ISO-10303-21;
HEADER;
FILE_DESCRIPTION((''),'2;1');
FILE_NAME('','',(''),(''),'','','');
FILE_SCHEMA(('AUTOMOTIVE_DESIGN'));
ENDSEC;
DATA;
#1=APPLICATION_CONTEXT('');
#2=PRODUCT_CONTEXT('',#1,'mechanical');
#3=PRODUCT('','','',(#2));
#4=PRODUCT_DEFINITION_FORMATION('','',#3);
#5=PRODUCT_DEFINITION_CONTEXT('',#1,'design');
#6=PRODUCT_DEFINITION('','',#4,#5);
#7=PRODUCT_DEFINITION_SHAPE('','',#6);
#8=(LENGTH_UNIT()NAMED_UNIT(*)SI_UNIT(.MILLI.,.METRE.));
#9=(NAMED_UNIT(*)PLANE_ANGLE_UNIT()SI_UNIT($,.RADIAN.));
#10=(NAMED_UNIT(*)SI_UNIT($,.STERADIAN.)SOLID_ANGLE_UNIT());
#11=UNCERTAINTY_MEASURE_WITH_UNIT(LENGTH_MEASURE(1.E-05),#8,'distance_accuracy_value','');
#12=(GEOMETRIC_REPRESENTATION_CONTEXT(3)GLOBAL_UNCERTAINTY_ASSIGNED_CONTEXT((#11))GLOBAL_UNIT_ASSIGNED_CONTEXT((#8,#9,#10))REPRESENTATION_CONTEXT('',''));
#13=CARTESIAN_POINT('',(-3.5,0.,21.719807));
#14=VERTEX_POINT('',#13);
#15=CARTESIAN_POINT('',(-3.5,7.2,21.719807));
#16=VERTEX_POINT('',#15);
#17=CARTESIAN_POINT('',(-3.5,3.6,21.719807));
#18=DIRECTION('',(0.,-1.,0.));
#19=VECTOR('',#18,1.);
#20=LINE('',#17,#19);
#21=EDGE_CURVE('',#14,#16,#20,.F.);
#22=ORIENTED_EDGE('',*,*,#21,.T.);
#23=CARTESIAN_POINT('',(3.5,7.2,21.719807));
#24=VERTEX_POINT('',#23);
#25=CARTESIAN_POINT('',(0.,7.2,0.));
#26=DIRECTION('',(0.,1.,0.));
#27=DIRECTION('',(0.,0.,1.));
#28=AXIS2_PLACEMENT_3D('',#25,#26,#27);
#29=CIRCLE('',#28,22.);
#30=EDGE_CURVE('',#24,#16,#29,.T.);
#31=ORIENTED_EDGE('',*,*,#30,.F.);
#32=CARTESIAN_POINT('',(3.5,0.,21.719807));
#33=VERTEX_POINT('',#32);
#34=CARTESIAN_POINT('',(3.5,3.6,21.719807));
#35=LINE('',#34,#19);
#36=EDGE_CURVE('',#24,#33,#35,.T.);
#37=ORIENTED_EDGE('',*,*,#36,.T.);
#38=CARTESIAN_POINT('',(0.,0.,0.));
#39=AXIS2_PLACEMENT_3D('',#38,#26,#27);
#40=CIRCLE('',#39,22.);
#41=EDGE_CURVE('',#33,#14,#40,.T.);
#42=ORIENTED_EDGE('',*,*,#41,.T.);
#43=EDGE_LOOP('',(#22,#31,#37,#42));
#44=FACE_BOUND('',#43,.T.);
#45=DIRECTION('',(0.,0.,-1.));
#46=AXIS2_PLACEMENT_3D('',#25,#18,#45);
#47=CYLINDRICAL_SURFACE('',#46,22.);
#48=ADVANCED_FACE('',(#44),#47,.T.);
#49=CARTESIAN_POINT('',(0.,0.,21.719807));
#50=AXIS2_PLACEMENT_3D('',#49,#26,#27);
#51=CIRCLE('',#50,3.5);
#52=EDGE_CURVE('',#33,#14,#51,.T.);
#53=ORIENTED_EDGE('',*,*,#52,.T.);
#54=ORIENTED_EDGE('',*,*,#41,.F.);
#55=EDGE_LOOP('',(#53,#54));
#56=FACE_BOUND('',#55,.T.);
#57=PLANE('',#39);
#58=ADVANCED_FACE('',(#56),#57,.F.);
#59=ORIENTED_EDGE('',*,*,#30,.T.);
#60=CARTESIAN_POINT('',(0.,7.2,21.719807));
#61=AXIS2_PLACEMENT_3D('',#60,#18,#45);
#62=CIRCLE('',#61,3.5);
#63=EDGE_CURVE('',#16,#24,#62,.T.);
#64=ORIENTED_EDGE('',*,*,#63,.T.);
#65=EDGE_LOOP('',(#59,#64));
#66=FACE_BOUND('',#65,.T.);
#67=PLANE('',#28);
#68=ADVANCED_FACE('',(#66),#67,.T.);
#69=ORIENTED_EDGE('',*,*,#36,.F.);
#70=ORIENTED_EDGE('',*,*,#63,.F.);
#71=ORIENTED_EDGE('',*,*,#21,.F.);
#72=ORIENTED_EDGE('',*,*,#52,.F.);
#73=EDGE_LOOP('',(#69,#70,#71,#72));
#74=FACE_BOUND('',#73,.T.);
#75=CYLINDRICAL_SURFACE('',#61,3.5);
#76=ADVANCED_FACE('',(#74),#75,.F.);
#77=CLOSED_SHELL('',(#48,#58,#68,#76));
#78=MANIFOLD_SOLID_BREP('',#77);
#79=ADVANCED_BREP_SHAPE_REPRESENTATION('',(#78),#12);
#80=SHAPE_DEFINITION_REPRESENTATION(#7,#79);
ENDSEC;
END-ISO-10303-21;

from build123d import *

# Parameters (mm, degrees)
SKETCH1_R           = 22
BOSS_EXTRUDE1_DEPTH = 7.2
SKETCH2_R           = 3.5
CUT_EXTRUDE1_DEPTH  = 32.93493385


with BuildPart() as part:
    # Sketch1 → Boss-Extrude1 (new body)
    with BuildSketch(Plane(origin=(0, 0, 0), x_dir=(1, 0, 0), z_dir=(0, 1, 0))):
        with Locations(Location((0, 0, 0), (0, 0, 270))):
            Circle(SKETCH1_R)
    extrude(amount=BOSS_EXTRUDE1_DEPTH)

    # Sketch2 → Cut-Extrude1 (cut, through all)
    with BuildSketch(Plane.XZ):
        with Locations((0, 21.719806629)):
            Circle(SKETCH2_R)
    extrude(amount=-CUT_EXTRUDE1_DEPTH, mode=Mode.SUBTRACT)


solid = part.part
